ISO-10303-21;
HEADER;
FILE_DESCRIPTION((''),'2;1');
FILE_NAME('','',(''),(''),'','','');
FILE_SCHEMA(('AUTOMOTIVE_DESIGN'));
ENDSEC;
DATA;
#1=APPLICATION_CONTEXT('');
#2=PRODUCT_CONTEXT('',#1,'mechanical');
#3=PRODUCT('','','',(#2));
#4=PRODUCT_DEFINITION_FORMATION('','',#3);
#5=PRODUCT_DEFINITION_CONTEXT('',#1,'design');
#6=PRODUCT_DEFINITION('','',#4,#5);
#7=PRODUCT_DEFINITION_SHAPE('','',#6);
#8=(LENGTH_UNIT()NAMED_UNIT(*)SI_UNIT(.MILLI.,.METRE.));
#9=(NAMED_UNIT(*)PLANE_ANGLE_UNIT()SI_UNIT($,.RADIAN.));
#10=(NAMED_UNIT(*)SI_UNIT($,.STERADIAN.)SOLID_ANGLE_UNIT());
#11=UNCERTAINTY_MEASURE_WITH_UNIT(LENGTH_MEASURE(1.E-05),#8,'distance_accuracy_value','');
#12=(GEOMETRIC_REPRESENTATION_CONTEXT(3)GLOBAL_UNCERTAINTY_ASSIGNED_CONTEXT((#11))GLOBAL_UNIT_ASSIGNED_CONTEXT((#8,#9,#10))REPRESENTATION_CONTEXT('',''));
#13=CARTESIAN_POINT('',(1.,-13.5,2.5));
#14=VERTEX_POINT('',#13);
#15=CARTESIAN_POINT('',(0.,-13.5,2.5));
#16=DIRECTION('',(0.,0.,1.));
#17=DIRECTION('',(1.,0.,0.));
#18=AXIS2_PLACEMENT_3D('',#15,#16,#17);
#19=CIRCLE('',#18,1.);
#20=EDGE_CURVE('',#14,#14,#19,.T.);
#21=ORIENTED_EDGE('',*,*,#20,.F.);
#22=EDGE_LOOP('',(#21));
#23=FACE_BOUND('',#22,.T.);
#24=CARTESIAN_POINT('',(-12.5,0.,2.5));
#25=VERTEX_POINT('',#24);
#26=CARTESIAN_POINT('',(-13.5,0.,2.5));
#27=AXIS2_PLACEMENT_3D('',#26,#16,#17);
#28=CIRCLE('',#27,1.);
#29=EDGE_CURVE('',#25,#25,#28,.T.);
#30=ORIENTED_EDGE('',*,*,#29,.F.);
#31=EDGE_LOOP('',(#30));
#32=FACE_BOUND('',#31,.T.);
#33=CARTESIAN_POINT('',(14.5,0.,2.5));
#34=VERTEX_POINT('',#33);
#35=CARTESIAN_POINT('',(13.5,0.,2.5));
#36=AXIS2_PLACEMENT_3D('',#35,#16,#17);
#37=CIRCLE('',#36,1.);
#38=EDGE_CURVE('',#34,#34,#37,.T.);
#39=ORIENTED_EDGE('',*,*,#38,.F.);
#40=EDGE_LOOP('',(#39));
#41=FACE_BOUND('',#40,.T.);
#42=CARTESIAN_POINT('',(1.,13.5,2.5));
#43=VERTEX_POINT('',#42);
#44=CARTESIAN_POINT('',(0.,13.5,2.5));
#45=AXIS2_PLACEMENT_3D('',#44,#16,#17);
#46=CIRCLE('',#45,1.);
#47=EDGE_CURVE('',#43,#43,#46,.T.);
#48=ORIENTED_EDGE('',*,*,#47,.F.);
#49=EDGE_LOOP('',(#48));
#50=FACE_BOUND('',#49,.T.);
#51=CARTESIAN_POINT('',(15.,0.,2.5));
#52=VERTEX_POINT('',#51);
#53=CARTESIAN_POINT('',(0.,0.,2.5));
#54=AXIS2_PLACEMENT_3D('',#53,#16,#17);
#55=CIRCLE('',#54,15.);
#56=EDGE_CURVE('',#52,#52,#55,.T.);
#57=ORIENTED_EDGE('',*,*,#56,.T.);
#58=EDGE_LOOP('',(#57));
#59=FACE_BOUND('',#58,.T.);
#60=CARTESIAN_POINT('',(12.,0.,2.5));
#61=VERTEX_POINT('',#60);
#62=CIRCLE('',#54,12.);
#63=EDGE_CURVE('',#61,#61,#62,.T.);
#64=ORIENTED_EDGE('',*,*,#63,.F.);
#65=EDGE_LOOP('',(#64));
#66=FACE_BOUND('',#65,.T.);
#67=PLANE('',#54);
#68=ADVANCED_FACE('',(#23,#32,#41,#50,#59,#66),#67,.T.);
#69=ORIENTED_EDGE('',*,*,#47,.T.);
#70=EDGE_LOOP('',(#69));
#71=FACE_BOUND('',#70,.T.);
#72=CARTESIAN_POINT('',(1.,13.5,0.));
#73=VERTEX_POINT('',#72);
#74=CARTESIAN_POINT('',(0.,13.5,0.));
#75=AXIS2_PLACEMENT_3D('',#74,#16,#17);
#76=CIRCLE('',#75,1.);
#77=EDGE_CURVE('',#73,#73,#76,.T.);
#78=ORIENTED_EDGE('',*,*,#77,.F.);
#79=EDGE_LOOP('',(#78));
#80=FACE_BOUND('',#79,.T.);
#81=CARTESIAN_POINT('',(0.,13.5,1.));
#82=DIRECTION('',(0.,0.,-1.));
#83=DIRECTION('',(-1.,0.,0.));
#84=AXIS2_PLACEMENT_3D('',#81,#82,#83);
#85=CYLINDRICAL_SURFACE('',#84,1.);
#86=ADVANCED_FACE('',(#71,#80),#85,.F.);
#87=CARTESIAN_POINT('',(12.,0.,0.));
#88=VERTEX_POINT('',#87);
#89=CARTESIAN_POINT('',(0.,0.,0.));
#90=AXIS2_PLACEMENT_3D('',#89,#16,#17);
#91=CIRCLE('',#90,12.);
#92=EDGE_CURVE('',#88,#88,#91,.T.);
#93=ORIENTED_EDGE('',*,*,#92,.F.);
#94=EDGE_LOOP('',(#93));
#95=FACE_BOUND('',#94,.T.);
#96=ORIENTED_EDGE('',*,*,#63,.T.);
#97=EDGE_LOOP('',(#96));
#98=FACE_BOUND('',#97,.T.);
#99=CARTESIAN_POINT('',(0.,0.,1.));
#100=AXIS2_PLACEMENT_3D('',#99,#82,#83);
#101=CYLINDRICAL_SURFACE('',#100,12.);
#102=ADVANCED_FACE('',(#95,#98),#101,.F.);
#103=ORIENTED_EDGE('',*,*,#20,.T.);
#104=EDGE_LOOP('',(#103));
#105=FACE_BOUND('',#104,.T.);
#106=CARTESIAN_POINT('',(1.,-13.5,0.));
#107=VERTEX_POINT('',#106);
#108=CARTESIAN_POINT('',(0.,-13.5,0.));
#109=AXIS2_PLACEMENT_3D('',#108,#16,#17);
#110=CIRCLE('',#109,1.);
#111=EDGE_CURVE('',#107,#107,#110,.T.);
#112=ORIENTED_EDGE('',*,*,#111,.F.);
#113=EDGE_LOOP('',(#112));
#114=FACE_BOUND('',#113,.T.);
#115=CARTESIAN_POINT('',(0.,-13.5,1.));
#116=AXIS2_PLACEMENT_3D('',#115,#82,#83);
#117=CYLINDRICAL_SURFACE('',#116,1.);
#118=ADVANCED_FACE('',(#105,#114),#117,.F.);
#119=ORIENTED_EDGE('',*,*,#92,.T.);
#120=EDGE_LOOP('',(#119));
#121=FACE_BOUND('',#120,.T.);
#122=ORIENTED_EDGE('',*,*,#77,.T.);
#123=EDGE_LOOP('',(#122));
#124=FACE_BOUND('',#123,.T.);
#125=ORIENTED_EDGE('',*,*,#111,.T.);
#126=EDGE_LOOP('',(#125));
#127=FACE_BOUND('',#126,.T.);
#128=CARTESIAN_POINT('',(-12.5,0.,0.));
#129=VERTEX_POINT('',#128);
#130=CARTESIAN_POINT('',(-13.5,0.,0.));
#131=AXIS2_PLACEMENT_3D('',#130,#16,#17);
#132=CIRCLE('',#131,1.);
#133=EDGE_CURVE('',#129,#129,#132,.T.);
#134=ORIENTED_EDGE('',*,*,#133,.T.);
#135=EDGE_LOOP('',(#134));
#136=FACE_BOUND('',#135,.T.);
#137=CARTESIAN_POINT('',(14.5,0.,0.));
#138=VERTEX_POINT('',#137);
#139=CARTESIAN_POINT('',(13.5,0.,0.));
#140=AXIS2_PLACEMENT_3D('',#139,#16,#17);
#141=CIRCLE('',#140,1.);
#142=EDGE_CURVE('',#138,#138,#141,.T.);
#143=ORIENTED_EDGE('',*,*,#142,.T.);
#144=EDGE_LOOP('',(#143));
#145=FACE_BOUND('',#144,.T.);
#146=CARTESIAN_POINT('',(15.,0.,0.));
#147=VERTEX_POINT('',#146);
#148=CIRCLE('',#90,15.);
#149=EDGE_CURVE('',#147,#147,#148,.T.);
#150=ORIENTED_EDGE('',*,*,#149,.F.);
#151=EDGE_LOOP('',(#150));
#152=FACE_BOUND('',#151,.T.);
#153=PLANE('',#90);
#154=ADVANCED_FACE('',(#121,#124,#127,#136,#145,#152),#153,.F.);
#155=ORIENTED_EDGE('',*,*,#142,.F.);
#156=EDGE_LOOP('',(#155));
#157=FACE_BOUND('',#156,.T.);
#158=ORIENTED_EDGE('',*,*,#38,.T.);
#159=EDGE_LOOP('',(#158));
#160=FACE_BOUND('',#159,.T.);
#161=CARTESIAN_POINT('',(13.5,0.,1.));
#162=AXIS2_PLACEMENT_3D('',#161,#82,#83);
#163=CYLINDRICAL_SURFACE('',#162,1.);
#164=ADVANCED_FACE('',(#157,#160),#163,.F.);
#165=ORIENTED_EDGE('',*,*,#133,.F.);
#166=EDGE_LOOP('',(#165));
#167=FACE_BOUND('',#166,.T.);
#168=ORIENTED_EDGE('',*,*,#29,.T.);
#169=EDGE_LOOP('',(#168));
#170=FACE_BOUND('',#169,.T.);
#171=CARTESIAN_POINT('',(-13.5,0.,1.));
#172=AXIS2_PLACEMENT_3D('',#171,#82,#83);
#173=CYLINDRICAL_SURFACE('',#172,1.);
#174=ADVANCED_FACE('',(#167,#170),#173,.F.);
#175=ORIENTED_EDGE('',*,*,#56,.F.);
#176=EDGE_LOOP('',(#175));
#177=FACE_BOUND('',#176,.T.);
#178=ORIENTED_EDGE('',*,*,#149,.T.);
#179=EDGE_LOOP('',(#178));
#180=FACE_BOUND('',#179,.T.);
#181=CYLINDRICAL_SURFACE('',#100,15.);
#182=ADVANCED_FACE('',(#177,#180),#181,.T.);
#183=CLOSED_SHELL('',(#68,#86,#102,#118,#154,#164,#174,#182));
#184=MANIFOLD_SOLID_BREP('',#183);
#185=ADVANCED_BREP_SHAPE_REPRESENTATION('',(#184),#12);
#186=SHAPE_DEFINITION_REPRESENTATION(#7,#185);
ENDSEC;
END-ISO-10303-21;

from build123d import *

# Parameters (mm, degrees)
SKETCH1_R           = 15
SKETCH1_R_2         = 12
SKETCH1_R_3         = 1
BOSS_EXTRUDE1_DEPTH = 1
SKETCH2_R           = 15
SKETCH2_R_2         = 12
SKETCH2_R_3         = 1
BOSS_EXTRUDE3_DEPTH = 1.5


with BuildPart() as part:
    # Sketch1 → Boss-Extrude1 (new body)
    with BuildSketch(Plane.XY):
        Circle(SKETCH1_R)
        Circle(SKETCH1_R_2, mode=Mode.SUBTRACT)
        with Locations((0, 13.5)):
            Circle(SKETCH1_R_3, mode=Mode.SUBTRACT)
        with Locations((13.5, 0)):
            Circle(SKETCH1_R_3, mode=Mode.SUBTRACT)
        with Locations((0, -13.5)):
            Circle(SKETCH1_R_3, mode=Mode.SUBTRACT)
        with Locations((-13.5, 0)):
            Circle(SKETCH1_R_3, mode=Mode.SUBTRACT)
    extrude(amount=BOSS_EXTRUDE1_DEPTH)

    # Sketch2 → Boss-Extrude3 (add)
    with BuildSketch(Plane.XY.offset(1)):
        Circle(SKETCH2_R)
        Circle(SKETCH2_R_2, mode=Mode.SUBTRACT)
        with Locations((0, 13.5)):
            Circle(SKETCH2_R_3, mode=Mode.SUBTRACT)
        with Locations((13.5, 0)):
            Circle(SKETCH2_R_3, mode=Mode.SUBTRACT)
        with Locations((0, -13.5)):
            Circle(SKETCH2_R_3, mode=Mode.SUBTRACT)
        with Locations((-13.5, 0)):
            Circle(SKETCH2_R_3, mode=Mode.SUBTRACT)
    extrude(amount=BOSS_EXTRUDE3_DEPTH)


solid = part.part
